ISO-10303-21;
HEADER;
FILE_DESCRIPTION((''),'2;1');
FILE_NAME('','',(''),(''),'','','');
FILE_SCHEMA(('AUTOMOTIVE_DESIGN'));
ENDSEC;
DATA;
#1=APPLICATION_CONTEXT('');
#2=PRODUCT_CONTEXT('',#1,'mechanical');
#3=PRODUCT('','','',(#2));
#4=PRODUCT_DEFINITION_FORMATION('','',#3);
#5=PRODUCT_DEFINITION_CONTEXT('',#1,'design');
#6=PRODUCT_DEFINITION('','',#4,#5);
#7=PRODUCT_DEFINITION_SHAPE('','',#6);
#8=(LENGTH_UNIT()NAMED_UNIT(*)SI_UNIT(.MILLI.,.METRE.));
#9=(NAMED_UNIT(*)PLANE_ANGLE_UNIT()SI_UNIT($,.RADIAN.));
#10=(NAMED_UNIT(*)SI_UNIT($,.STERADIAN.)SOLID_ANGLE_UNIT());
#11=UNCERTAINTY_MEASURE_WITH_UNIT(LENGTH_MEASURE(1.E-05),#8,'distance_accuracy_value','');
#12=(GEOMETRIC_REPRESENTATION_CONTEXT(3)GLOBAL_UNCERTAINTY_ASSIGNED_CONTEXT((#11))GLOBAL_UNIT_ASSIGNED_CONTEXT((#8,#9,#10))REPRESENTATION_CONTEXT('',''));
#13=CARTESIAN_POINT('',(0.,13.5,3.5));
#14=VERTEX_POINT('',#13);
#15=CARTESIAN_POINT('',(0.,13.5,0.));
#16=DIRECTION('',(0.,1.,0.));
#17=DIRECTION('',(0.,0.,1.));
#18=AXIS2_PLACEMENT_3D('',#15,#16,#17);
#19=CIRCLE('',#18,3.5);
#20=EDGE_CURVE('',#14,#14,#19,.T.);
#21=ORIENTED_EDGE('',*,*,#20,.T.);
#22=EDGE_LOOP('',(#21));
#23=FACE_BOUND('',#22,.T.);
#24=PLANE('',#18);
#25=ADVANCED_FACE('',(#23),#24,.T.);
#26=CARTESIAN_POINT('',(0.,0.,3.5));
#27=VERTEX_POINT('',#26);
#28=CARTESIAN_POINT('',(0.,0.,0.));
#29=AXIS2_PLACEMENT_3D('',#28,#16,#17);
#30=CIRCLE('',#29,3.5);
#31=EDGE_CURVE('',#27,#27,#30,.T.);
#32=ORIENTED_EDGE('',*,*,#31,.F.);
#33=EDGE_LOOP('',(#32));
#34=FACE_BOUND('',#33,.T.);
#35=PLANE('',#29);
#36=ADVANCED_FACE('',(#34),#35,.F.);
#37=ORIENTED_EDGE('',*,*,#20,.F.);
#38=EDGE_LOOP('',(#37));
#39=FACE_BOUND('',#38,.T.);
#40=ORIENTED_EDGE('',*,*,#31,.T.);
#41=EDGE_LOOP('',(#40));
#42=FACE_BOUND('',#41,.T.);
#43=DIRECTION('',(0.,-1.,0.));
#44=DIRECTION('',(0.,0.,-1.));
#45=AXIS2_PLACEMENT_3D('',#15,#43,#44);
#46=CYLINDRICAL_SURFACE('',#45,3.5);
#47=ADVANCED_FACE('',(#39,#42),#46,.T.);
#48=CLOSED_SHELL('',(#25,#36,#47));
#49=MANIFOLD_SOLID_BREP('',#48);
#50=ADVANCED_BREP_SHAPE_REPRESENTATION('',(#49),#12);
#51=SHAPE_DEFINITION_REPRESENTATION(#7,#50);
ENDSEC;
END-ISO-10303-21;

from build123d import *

# Parameters (mm, degrees)
SKETCH1_R           = 3.5
BOSS_EXTRUDE1_DEPTH = 13.5


with BuildPart() as part:
    # Sketch1 → Boss-Extrude1 (new body)
    with BuildSketch(Plane(origin=(0, 0, 0), x_dir=(1, 0, 0), z_dir=(0, 1, 0))):
        Circle(SKETCH1_R)
    extrude(amount=BOSS_EXTRUDE1_DEPTH)


solid = part.part
